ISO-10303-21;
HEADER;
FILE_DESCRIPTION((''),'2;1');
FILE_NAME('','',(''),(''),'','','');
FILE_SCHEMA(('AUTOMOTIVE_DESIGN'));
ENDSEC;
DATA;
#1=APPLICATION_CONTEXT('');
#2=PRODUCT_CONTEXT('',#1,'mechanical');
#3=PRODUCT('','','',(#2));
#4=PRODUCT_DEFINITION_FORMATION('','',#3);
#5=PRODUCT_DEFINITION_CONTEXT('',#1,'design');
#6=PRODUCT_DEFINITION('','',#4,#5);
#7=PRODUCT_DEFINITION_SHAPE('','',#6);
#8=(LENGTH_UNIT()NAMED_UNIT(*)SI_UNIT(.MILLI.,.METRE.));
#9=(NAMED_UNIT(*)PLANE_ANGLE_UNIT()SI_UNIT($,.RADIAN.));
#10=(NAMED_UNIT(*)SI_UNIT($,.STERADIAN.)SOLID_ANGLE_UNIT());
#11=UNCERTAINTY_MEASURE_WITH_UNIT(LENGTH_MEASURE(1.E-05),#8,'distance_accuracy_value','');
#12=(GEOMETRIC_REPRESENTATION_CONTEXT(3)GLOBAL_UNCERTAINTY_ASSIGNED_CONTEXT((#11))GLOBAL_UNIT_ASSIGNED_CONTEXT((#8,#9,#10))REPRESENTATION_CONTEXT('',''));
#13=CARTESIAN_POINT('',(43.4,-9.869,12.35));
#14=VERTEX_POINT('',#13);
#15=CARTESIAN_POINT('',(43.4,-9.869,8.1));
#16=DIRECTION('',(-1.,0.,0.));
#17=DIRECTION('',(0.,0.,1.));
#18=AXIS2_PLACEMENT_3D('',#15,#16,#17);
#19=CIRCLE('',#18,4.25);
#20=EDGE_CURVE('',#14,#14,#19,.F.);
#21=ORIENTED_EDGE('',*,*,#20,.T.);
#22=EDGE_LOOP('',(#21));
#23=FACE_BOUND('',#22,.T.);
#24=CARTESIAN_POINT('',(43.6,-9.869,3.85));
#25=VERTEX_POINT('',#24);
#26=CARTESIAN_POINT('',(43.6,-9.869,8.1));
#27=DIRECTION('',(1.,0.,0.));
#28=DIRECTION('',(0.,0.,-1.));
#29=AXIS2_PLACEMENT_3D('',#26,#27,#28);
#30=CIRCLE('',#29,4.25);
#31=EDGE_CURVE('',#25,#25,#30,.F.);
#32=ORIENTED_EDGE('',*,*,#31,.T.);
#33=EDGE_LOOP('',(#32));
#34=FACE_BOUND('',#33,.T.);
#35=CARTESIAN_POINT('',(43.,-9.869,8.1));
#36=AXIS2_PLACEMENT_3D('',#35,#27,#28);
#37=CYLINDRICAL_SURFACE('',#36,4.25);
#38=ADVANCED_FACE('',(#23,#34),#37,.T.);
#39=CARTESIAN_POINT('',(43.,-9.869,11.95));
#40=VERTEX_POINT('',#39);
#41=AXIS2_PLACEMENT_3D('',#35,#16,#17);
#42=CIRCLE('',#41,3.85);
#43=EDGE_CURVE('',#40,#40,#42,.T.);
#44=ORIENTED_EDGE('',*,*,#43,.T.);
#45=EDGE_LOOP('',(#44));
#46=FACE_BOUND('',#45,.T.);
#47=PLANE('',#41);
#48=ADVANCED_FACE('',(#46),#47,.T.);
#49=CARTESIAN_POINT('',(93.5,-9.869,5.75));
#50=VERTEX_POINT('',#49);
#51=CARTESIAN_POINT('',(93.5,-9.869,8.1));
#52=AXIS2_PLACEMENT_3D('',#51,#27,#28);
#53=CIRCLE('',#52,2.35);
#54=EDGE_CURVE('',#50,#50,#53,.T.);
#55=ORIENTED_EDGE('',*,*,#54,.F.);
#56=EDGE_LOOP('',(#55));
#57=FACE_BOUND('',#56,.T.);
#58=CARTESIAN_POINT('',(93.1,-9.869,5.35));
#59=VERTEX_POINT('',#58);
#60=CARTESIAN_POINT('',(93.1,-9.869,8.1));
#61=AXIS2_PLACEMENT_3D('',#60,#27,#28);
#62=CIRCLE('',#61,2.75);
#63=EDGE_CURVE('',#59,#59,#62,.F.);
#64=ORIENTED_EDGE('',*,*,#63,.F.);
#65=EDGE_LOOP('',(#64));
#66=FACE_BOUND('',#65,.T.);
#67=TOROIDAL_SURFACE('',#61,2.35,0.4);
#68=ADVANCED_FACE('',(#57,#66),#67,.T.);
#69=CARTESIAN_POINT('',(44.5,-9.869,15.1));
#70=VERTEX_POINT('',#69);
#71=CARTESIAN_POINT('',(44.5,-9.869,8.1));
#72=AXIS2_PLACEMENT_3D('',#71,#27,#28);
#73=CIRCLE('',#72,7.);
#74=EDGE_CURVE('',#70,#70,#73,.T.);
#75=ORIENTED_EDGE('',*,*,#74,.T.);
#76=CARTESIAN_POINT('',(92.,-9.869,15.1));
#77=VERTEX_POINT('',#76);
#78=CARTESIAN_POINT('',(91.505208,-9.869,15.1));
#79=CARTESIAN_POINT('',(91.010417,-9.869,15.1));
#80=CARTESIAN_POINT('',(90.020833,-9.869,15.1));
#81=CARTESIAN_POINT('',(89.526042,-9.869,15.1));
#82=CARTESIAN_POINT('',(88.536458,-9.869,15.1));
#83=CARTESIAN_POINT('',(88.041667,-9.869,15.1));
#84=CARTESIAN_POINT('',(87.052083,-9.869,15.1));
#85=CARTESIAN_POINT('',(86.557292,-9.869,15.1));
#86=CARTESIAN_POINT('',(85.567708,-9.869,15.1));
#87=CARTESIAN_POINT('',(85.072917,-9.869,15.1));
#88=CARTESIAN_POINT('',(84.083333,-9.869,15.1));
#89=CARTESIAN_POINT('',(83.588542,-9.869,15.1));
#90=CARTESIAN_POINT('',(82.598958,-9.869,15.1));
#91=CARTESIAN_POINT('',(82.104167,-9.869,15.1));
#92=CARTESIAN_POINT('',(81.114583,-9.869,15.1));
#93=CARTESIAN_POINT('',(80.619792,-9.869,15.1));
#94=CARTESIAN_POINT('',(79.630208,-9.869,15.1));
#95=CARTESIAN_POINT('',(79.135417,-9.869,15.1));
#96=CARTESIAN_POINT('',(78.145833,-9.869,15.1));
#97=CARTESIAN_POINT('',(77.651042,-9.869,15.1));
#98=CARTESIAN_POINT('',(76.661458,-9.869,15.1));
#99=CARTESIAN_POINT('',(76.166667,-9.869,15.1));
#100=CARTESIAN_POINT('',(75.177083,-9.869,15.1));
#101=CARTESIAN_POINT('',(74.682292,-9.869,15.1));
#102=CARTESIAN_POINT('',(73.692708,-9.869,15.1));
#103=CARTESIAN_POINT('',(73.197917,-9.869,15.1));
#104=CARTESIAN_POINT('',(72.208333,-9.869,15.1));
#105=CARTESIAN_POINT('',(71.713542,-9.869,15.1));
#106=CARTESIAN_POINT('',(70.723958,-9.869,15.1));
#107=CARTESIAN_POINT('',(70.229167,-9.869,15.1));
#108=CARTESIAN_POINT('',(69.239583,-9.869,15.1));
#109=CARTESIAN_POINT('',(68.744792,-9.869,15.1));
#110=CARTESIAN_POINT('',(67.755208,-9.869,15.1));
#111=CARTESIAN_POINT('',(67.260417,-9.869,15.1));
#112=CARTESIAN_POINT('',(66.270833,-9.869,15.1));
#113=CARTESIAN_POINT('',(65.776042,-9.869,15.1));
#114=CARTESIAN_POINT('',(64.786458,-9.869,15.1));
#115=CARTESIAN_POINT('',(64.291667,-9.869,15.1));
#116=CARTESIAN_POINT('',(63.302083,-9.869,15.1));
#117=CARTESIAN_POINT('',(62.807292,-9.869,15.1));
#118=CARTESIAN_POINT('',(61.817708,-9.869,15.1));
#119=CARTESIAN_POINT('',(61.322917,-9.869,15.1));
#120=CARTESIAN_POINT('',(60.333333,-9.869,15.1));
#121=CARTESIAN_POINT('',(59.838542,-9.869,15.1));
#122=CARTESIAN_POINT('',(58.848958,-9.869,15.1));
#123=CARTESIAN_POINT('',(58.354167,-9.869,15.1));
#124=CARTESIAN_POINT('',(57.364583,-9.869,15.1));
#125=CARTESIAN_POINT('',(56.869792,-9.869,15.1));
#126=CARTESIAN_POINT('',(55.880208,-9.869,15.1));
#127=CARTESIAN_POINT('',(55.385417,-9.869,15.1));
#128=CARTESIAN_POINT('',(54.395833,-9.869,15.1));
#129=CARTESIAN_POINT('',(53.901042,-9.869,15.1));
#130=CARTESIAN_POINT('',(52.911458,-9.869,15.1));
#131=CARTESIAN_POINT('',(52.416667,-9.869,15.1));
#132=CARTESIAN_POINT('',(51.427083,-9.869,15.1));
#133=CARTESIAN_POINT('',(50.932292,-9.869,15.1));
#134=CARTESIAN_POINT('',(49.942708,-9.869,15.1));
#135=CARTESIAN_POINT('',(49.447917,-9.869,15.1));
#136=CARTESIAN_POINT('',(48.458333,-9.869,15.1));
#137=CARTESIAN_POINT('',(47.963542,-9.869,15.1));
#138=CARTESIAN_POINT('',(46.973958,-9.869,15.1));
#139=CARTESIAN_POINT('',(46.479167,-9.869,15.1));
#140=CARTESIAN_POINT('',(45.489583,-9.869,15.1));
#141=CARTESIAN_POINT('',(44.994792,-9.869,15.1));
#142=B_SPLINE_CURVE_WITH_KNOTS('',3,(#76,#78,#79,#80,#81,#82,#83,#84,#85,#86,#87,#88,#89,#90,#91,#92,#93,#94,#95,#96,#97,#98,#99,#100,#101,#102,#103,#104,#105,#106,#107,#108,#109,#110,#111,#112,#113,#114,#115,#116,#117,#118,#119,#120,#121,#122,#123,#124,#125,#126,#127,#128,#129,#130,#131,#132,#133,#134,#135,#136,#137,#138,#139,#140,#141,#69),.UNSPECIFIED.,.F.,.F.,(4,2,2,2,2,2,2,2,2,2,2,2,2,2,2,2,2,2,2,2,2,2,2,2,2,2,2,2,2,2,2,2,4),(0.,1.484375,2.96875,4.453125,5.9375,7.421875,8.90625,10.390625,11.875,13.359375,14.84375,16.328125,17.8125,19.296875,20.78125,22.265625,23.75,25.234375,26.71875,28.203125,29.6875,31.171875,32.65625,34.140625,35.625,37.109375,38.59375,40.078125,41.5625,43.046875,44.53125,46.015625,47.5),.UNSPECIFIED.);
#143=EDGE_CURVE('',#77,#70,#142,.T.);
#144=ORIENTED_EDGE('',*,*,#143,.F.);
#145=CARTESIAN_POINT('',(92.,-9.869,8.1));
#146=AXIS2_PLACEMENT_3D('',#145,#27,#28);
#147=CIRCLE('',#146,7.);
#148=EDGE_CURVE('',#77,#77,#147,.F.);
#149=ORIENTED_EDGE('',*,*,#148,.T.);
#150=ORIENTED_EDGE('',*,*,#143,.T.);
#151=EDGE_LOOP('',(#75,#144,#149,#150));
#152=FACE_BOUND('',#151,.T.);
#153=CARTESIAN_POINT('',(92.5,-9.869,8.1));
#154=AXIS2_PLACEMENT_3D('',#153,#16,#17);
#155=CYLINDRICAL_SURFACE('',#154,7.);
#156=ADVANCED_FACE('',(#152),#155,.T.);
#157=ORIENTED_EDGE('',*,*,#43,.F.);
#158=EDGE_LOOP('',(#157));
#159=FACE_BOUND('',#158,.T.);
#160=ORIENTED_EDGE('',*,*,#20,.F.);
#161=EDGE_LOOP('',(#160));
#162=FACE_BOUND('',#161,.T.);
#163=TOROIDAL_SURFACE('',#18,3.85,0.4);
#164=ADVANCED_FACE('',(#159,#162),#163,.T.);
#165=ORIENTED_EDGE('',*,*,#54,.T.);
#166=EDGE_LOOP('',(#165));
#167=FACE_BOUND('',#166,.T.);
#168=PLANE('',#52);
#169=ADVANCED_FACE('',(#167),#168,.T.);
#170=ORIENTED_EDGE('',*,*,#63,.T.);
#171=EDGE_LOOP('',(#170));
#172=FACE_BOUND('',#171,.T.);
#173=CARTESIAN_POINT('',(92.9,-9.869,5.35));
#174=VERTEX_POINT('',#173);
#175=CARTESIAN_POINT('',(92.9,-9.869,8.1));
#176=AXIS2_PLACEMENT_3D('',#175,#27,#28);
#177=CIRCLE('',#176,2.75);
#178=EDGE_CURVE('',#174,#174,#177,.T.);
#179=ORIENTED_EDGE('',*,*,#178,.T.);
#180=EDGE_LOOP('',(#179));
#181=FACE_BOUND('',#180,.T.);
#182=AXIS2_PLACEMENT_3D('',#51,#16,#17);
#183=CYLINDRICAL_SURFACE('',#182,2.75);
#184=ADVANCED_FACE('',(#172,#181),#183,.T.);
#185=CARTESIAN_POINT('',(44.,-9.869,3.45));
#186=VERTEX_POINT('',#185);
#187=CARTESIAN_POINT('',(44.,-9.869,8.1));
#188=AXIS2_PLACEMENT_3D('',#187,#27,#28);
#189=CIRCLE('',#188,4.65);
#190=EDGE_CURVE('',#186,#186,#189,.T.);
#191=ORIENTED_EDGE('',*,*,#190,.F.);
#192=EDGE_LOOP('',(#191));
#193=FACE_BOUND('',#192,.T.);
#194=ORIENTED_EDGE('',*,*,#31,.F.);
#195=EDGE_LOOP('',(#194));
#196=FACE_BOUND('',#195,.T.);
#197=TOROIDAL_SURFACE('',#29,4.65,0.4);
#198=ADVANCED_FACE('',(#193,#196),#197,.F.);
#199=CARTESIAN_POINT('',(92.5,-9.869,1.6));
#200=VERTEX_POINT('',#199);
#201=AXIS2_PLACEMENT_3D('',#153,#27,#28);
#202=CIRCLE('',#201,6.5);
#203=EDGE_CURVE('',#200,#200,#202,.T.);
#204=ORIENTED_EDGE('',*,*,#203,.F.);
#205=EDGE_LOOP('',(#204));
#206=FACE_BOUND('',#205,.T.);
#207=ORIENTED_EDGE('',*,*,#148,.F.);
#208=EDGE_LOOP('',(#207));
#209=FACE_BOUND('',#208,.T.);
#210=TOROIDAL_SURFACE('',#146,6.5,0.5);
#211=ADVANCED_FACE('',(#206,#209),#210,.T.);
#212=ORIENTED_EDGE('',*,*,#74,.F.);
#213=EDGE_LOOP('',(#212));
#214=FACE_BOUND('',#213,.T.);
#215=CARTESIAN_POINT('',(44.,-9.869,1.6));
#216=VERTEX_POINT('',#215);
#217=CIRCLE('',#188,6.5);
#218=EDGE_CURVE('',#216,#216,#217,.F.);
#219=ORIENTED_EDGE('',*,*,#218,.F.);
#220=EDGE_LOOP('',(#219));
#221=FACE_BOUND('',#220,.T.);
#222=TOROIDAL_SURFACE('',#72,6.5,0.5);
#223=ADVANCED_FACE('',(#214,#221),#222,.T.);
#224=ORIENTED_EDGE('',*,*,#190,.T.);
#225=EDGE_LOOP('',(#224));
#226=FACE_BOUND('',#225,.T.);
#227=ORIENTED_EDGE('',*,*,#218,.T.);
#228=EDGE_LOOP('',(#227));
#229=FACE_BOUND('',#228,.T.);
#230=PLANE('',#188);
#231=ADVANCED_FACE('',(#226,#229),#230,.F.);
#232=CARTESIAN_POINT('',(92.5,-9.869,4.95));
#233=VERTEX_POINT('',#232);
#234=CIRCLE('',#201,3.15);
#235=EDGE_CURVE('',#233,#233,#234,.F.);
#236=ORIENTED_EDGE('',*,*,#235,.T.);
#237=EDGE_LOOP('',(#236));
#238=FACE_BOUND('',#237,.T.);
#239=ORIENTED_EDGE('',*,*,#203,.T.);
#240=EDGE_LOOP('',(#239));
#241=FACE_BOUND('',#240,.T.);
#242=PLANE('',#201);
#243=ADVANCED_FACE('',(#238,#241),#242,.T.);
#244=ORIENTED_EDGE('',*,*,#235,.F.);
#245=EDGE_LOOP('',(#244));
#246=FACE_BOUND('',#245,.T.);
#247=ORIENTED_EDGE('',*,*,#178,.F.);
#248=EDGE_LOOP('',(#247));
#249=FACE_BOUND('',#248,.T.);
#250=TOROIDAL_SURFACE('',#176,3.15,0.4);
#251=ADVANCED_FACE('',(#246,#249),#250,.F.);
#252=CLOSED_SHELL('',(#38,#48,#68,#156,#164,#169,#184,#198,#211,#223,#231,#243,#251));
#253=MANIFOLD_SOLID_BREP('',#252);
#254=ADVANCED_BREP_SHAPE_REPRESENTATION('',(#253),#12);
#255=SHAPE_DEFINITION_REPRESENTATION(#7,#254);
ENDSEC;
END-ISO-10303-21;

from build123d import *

# Parameters (mm, degrees)
BOSS_EXTRUDE1_DEPTH     = 2.75
SKETCH2_W               = 120
SKETCH2_H               = 29
CUT_EXTRUDE1_DEPTH      = 0.125
SKETCH3_W               = 120
SKETCH3_H               = 29
BOSS_EXTRUDE2_DEPTH     = 0.125
CUT_EXTRUDE2_DEPTH      = 1.356
FILLET1_R               = 2
BOSS_EXTRUDE3_DEPTH     = 0.1
SKETCH6_W               = 0.5
SKETCH6_H               = 5
BOSS_EXTRUDE4_DEPTH     = 0.1
BOSS_EXTRUDE4_2_DEPTH   = 0.1
BOSS_EXTRUDE4_3_DEPTH   = 0.1
SKETCH7_W               = 30
SKETCH7_H               = 10
BOSS_EXTRUDE5_DEPTH     = 0.1
SKETCH8_RX              = 5
SKETCH8_RY              = 4
CUT_EXTRUDE3_DEPTH      = 1.15
CUT_EXTRUDE4_DEPTH      = 121.904145917
CUT_EXTRUDE4_DEPTH_BACK = 121.904145917
SKETCH9_W               = 0.2
SKETCH9_H               = 2
SKETCH10_W              = 120
SKETCH10_H              = 29
BOSS_EXTRUDE6_DEPTH     = 1.619
BOSS_EXTRUDE7_START     = 45
SKETCH11_R              = 7
BOSS_EXTRUDE7_DEPTH     = 48.5
SKETCH12_R              = 4.25
BOSS_EXTRUDE8_DEPTH     = 1
SKETCH13_R              = 2.75
BOSS_EXTRUDE9_DEPTH     = 1
BOSS_EXTRUDE10_START    = 44
SKETCH14_R              = 7
BOSS_EXTRUDE10_DEPTH    = 48.5
SKETCH15_R              = 2.75
BOSS_EXTRUDE11_DEPTH    = 1
SKETCH16_R              = 4.25
BOSS_EXTRUDE12_DEPTH    = 1
FILLET2_R               = 0.5
FILLET3_R               = 0.5
FILLET4_R               = 0.4
FILLET5_R               = 0.4
FILLET6_R               = 0.4
FILLET7_R               = 0.4


with BuildPart() as part:
    # Sketch1 → Boss-Extrude1 (new body)
    with BuildSketch(Plane(origin=(0, 0, 0), x_dir=(1, 0, 0), z_dir=(0, 1, 0))):
        Polygon((0, 0), (0, -14.5), (120, -14.5), (120, 14.5), (0, 14.5), align=None)
    extrude(amount=BOSS_EXTRUDE1_DEPTH)

    # Sketch2 → Cut-Extrude1 (cut)
    with BuildSketch(Plane(origin=(0, 2.75, 0), x_dir=(1, 0, 0), z_dir=(0, 1, 0))):
        with Locations((60, 0)):
            Rectangle(SKETCH2_W, SKETCH2_H)
    extrude(amount=-CUT_EXTRUDE1_DEPTH, mode=Mode.SUBTRACT)

    # Sketch4 → Cut-Extrude2 (cut)
    with BuildSketch(Plane(origin=(0, 2.625, 0), x_dir=(1, 0, 0), z_dir=(0, 1, 0))):
        Polygon((77.5, 0), (77.5, -2.5), (92.5, -2.5), (92.5, 2.5), (77.5, 2.5), align=None)
    extrude(amount=-CUT_EXTRUDE2_DEPTH, mode=Mode.SUBTRACT)

    # Fillet1
    fillet1_edges = [part.edges().sort_by_distance(p)[0] for p in [
        (77.5, 1.947, -2.5),
        (92.5, 1.947, -2.5),
        (92.5, 1.947, 2.5),
        (77.5, 1.947, 2.5),
    ]]
    fillet(fillet1_edges, radius=FILLET1_R)

    # Sketch8 → Cut-Extrude3 (cut)
    with BuildSketch(Plane(origin=(0, 2.625, 0), x_dir=(1, 0, 0), z_dir=(0, 1, 0))):
        with Locations(Location((16.87, 0), (0, 0, -90))):
            Ellipse(SKETCH8_RX, SKETCH8_RY)
    extrude(amount=-CUT_EXTRUDE3_DEPTH, mode=Mode.SUBTRACT)


with BuildPart() as body_2:
    # Sketch3 → Boss-Extrude2 (new body)
    with BuildSketch(Plane(origin=(0, 2.625, 0), x_dir=(1, 0, 0), z_dir=(0, 1, 0))):
        with Locations((60, 0)):
            Rectangle(SKETCH3_W, SKETCH3_H)
    extrude(amount=BOSS_EXTRUDE2_DEPTH)

    # Sketch9 → Cut-Extrude4 (cut, two sides: drawn at the far end of the back side and taken through both)
    with BuildSketch(Plane(origin=(0, 2.75, 0), x_dir=(1, 0, 0), z_dir=(0, 1, 0)).offset(-CUT_EXTRUDE4_DEPTH_BACK)):
        with Locations((35, 3.5)):
            Rectangle(SKETCH9_W, SKETCH9_H)
        with Locations((35, 0)):
            Rectangle(SKETCH9_W, SKETCH9_H)
        with Locations((35, 7)):
            Rectangle(SKETCH9_W, SKETCH9_H)
        with Locations((35, 10.5)):
            Rectangle(SKETCH9_W, SKETCH9_H)
        with Locations((35, 14)):
            Rectangle(SKETCH9_W, SKETCH9_H)
        with Locations((35, -10.5)):
            Rectangle(SKETCH9_W, SKETCH9_H)
        with Locations((35, -14)):
            Rectangle(SKETCH9_W, SKETCH9_H)
        with Locations((35, -7)):
            Rectangle(SKETCH9_W, SKETCH9_H)
        with Locations((35, -3.5)):
            Rectangle(SKETCH9_W, SKETCH9_H)
    extrude(amount=CUT_EXTRUDE4_DEPTH + CUT_EXTRUDE4_DEPTH_BACK, mode=Mode.SUBTRACT)


with BuildPart() as body_3:
    # Sketch5 → Boss-Extrude3 (new body)
    with BuildSketch(Plane(origin=(0, 1.269, 0), x_dir=(1, 0, 0), z_dir=(0, 1, 0))):
        with BuildLine():
            Line((90.5, 2.5), (79.5, 2.5))
            ThreePointArc((79.5, 2.5), (78.085786438, 1.914213562), (77.5, 0.5))
            Line((77.5, 0.5), (77.5, -0.5))
            ThreePointArc((77.5, -0.5), (78.085786438, -1.914213562), (79.5, -2.5))
            Line((79.5, -2.5), (90.5, -2.5))
            ThreePointArc((90.5, -2.5), (91.914213562, -1.914213562), (92.5, -0.5))
            Line((92.5, -0.5), (92.5, 0.5))
            ThreePointArc((92.5, 0.5), (91.914213562, 1.914213562), (90.5, 2.5))
        make_face()
    extrude(amount=BOSS_EXTRUDE3_DEPTH)


with BuildPart() as body_4:
    # Sketch6 → Boss-Extrude4 (new body)
    with BuildSketch(Plane(origin=(0, 1.369, 0), x_dir=(1, 0, 0), z_dir=(0, 1, 0))):
        with Locations((90, 0)):
            Rectangle(SKETCH6_W, SKETCH6_H)
    extrude(amount=BOSS_EXTRUDE4_DEPTH)


with BuildPart() as body_5:
    # Sketch6 → Boss-Extrude4 2 (new body)
    with BuildSketch(Plane(origin=(0, 1.369, 0), x_dir=(1, 0, 0), z_dir=(0, 1, 0))):
        with Locations((85, 0)):
            Rectangle(SKETCH6_W, SKETCH6_H)
    extrude(amount=BOSS_EXTRUDE4_2_DEPTH)


with BuildPart() as body_6:
    # Sketch6 → Boss-Extrude4 3 (new body)
    with BuildSketch(Plane(origin=(0, 1.369, 0), x_dir=(1, 0, 0), z_dir=(0, 1, 0))):
        with Locations((80, 0)):
            Rectangle(SKETCH6_W, SKETCH6_H)
    extrude(amount=BOSS_EXTRUDE4_3_DEPTH)


with BuildPart() as body_7:
    # Sketch7 → Boss-Extrude5 (new body)
    with BuildSketch(Plane(origin=(0, 2.625, 0), x_dir=(1, 0, 0), z_dir=(0, 1, 0))):
        with Locations((44, 0)):
            Rectangle(SKETCH7_W, SKETCH7_H)
    extrude(amount=BOSS_EXTRUDE5_DEPTH)


with BuildPart() as body_8:
    # Sketch10 → Boss-Extrude6 (new body)
    with BuildSketch(Plane.XZ):
        with Locations((60, 0)):
            Rectangle(SKETCH10_W, SKETCH10_H)
    extrude(amount=BOSS_EXTRUDE6_DEPTH)


with BuildPart() as body_9:
    # Sketch11 → Boss-Extrude7 (new body)
    with BuildSketch(Plane(origin=(0, 0, 0), x_dir=(0, 0, -1), z_dir=(1, 0, 0)).offset(BOSS_EXTRUDE7_START)):
        with Locations(Location((8.1, -9.869, 0), (0, 0, 180))):
            Circle(SKETCH11_R)
    extrude(amount=BOSS_EXTRUDE7_DEPTH)

    # Sketch12 → Boss-Extrude8 (add)
    with BuildSketch(Plane(origin=(93.5, 0, 0), x_dir=(0, 0, -1), z_dir=(1, 0, 0))):
        with Locations((8.1, -9.869)):
            Circle(SKETCH12_R)
    extrude(amount=BOSS_EXTRUDE8_DEPTH)

    # Sketch13 → Boss-Extrude9 (add)
    with BuildSketch(Plane.ZY.offset(-45)):
        with Locations((-8.1, -9.869)):
            Circle(SKETCH13_R)
    extrude(amount=BOSS_EXTRUDE9_DEPTH)

    # Fillet3
    fillet3_edges = [body_9.edges().sort_by_distance(p)[0] for p in [
        (45, -9.869, -15.1),
        (93.5, -9.869, -15.1),
    ]]
    fillet(fillet3_edges, radius=FILLET3_R)

    # Fillet5
    fillet5_edges = [body_9.edges().sort_by_distance(p)[0] for p in [
        (93.5, -9.869, -3.85),
        (94.5, -9.869, -3.85),
    ]]
    fillet(fillet5_edges, radius=FILLET5_R)

    # Fillet6
    fillet6_edges = [body_9.edges().sort_by_distance(p)[0] for p in [
        (45, -9.869, -10.85),
        (44, -9.869, -10.85),
    ]]
    fillet(fillet6_edges, radius=FILLET6_R)


with BuildPart() as body_10:
    # Sketch14 → Boss-Extrude10 (new body)
    with BuildSketch(Plane(origin=(0, 0, 0), x_dir=(0, 0, -1), z_dir=(1, 0, 0)).offset(BOSS_EXTRUDE10_START)):
        with Locations(Location((-8.1, -9.869, 0), (0, 0, 180))):
            Circle(SKETCH14_R)
    extrude(amount=BOSS_EXTRUDE10_DEPTH)

    # Sketch15 → Boss-Extrude11 (add)
    with BuildSketch(Plane(origin=(92.5, 0, 0), x_dir=(0, 0, -1), z_dir=(1, 0, 0))):
        with Locations((-8.1, -9.869)):
            Circle(SKETCH15_R)
    extrude(amount=BOSS_EXTRUDE11_DEPTH)

    # Sketch16 → Boss-Extrude12 (add)
    with BuildSketch(Plane.ZY.offset(-44)):
        with Locations((8.1, -9.869)):
            Circle(SKETCH16_R)
    extrude(amount=BOSS_EXTRUDE12_DEPTH)

    # Fillet2
    fillet2_edges = [body_10.edges().sort_by_distance(p)[0] for p in [
        (44, -9.869, 1.1),
        (92.5, -9.869, 1.1),
    ]]
    fillet(fillet2_edges, radius=FILLET2_R)

    # Fillet4
    fillet4_edges = [body_10.edges().sort_by_distance(p)[0] for p in [
        (92.5, -9.869, 10.85),
        (93.5, -9.869, 10.85),
    ]]
    fillet(fillet4_edges, radius=FILLET4_R)

    # Fillet7
    fillet7_edges = [body_10.edges().sort_by_distance(p)[0] for p in [
        (44, -9.869, 3.85),
        (43, -9.869, 3.85),
    ]]
    fillet(fillet7_edges, radius=FILLET7_R)


solid = body_10.part
